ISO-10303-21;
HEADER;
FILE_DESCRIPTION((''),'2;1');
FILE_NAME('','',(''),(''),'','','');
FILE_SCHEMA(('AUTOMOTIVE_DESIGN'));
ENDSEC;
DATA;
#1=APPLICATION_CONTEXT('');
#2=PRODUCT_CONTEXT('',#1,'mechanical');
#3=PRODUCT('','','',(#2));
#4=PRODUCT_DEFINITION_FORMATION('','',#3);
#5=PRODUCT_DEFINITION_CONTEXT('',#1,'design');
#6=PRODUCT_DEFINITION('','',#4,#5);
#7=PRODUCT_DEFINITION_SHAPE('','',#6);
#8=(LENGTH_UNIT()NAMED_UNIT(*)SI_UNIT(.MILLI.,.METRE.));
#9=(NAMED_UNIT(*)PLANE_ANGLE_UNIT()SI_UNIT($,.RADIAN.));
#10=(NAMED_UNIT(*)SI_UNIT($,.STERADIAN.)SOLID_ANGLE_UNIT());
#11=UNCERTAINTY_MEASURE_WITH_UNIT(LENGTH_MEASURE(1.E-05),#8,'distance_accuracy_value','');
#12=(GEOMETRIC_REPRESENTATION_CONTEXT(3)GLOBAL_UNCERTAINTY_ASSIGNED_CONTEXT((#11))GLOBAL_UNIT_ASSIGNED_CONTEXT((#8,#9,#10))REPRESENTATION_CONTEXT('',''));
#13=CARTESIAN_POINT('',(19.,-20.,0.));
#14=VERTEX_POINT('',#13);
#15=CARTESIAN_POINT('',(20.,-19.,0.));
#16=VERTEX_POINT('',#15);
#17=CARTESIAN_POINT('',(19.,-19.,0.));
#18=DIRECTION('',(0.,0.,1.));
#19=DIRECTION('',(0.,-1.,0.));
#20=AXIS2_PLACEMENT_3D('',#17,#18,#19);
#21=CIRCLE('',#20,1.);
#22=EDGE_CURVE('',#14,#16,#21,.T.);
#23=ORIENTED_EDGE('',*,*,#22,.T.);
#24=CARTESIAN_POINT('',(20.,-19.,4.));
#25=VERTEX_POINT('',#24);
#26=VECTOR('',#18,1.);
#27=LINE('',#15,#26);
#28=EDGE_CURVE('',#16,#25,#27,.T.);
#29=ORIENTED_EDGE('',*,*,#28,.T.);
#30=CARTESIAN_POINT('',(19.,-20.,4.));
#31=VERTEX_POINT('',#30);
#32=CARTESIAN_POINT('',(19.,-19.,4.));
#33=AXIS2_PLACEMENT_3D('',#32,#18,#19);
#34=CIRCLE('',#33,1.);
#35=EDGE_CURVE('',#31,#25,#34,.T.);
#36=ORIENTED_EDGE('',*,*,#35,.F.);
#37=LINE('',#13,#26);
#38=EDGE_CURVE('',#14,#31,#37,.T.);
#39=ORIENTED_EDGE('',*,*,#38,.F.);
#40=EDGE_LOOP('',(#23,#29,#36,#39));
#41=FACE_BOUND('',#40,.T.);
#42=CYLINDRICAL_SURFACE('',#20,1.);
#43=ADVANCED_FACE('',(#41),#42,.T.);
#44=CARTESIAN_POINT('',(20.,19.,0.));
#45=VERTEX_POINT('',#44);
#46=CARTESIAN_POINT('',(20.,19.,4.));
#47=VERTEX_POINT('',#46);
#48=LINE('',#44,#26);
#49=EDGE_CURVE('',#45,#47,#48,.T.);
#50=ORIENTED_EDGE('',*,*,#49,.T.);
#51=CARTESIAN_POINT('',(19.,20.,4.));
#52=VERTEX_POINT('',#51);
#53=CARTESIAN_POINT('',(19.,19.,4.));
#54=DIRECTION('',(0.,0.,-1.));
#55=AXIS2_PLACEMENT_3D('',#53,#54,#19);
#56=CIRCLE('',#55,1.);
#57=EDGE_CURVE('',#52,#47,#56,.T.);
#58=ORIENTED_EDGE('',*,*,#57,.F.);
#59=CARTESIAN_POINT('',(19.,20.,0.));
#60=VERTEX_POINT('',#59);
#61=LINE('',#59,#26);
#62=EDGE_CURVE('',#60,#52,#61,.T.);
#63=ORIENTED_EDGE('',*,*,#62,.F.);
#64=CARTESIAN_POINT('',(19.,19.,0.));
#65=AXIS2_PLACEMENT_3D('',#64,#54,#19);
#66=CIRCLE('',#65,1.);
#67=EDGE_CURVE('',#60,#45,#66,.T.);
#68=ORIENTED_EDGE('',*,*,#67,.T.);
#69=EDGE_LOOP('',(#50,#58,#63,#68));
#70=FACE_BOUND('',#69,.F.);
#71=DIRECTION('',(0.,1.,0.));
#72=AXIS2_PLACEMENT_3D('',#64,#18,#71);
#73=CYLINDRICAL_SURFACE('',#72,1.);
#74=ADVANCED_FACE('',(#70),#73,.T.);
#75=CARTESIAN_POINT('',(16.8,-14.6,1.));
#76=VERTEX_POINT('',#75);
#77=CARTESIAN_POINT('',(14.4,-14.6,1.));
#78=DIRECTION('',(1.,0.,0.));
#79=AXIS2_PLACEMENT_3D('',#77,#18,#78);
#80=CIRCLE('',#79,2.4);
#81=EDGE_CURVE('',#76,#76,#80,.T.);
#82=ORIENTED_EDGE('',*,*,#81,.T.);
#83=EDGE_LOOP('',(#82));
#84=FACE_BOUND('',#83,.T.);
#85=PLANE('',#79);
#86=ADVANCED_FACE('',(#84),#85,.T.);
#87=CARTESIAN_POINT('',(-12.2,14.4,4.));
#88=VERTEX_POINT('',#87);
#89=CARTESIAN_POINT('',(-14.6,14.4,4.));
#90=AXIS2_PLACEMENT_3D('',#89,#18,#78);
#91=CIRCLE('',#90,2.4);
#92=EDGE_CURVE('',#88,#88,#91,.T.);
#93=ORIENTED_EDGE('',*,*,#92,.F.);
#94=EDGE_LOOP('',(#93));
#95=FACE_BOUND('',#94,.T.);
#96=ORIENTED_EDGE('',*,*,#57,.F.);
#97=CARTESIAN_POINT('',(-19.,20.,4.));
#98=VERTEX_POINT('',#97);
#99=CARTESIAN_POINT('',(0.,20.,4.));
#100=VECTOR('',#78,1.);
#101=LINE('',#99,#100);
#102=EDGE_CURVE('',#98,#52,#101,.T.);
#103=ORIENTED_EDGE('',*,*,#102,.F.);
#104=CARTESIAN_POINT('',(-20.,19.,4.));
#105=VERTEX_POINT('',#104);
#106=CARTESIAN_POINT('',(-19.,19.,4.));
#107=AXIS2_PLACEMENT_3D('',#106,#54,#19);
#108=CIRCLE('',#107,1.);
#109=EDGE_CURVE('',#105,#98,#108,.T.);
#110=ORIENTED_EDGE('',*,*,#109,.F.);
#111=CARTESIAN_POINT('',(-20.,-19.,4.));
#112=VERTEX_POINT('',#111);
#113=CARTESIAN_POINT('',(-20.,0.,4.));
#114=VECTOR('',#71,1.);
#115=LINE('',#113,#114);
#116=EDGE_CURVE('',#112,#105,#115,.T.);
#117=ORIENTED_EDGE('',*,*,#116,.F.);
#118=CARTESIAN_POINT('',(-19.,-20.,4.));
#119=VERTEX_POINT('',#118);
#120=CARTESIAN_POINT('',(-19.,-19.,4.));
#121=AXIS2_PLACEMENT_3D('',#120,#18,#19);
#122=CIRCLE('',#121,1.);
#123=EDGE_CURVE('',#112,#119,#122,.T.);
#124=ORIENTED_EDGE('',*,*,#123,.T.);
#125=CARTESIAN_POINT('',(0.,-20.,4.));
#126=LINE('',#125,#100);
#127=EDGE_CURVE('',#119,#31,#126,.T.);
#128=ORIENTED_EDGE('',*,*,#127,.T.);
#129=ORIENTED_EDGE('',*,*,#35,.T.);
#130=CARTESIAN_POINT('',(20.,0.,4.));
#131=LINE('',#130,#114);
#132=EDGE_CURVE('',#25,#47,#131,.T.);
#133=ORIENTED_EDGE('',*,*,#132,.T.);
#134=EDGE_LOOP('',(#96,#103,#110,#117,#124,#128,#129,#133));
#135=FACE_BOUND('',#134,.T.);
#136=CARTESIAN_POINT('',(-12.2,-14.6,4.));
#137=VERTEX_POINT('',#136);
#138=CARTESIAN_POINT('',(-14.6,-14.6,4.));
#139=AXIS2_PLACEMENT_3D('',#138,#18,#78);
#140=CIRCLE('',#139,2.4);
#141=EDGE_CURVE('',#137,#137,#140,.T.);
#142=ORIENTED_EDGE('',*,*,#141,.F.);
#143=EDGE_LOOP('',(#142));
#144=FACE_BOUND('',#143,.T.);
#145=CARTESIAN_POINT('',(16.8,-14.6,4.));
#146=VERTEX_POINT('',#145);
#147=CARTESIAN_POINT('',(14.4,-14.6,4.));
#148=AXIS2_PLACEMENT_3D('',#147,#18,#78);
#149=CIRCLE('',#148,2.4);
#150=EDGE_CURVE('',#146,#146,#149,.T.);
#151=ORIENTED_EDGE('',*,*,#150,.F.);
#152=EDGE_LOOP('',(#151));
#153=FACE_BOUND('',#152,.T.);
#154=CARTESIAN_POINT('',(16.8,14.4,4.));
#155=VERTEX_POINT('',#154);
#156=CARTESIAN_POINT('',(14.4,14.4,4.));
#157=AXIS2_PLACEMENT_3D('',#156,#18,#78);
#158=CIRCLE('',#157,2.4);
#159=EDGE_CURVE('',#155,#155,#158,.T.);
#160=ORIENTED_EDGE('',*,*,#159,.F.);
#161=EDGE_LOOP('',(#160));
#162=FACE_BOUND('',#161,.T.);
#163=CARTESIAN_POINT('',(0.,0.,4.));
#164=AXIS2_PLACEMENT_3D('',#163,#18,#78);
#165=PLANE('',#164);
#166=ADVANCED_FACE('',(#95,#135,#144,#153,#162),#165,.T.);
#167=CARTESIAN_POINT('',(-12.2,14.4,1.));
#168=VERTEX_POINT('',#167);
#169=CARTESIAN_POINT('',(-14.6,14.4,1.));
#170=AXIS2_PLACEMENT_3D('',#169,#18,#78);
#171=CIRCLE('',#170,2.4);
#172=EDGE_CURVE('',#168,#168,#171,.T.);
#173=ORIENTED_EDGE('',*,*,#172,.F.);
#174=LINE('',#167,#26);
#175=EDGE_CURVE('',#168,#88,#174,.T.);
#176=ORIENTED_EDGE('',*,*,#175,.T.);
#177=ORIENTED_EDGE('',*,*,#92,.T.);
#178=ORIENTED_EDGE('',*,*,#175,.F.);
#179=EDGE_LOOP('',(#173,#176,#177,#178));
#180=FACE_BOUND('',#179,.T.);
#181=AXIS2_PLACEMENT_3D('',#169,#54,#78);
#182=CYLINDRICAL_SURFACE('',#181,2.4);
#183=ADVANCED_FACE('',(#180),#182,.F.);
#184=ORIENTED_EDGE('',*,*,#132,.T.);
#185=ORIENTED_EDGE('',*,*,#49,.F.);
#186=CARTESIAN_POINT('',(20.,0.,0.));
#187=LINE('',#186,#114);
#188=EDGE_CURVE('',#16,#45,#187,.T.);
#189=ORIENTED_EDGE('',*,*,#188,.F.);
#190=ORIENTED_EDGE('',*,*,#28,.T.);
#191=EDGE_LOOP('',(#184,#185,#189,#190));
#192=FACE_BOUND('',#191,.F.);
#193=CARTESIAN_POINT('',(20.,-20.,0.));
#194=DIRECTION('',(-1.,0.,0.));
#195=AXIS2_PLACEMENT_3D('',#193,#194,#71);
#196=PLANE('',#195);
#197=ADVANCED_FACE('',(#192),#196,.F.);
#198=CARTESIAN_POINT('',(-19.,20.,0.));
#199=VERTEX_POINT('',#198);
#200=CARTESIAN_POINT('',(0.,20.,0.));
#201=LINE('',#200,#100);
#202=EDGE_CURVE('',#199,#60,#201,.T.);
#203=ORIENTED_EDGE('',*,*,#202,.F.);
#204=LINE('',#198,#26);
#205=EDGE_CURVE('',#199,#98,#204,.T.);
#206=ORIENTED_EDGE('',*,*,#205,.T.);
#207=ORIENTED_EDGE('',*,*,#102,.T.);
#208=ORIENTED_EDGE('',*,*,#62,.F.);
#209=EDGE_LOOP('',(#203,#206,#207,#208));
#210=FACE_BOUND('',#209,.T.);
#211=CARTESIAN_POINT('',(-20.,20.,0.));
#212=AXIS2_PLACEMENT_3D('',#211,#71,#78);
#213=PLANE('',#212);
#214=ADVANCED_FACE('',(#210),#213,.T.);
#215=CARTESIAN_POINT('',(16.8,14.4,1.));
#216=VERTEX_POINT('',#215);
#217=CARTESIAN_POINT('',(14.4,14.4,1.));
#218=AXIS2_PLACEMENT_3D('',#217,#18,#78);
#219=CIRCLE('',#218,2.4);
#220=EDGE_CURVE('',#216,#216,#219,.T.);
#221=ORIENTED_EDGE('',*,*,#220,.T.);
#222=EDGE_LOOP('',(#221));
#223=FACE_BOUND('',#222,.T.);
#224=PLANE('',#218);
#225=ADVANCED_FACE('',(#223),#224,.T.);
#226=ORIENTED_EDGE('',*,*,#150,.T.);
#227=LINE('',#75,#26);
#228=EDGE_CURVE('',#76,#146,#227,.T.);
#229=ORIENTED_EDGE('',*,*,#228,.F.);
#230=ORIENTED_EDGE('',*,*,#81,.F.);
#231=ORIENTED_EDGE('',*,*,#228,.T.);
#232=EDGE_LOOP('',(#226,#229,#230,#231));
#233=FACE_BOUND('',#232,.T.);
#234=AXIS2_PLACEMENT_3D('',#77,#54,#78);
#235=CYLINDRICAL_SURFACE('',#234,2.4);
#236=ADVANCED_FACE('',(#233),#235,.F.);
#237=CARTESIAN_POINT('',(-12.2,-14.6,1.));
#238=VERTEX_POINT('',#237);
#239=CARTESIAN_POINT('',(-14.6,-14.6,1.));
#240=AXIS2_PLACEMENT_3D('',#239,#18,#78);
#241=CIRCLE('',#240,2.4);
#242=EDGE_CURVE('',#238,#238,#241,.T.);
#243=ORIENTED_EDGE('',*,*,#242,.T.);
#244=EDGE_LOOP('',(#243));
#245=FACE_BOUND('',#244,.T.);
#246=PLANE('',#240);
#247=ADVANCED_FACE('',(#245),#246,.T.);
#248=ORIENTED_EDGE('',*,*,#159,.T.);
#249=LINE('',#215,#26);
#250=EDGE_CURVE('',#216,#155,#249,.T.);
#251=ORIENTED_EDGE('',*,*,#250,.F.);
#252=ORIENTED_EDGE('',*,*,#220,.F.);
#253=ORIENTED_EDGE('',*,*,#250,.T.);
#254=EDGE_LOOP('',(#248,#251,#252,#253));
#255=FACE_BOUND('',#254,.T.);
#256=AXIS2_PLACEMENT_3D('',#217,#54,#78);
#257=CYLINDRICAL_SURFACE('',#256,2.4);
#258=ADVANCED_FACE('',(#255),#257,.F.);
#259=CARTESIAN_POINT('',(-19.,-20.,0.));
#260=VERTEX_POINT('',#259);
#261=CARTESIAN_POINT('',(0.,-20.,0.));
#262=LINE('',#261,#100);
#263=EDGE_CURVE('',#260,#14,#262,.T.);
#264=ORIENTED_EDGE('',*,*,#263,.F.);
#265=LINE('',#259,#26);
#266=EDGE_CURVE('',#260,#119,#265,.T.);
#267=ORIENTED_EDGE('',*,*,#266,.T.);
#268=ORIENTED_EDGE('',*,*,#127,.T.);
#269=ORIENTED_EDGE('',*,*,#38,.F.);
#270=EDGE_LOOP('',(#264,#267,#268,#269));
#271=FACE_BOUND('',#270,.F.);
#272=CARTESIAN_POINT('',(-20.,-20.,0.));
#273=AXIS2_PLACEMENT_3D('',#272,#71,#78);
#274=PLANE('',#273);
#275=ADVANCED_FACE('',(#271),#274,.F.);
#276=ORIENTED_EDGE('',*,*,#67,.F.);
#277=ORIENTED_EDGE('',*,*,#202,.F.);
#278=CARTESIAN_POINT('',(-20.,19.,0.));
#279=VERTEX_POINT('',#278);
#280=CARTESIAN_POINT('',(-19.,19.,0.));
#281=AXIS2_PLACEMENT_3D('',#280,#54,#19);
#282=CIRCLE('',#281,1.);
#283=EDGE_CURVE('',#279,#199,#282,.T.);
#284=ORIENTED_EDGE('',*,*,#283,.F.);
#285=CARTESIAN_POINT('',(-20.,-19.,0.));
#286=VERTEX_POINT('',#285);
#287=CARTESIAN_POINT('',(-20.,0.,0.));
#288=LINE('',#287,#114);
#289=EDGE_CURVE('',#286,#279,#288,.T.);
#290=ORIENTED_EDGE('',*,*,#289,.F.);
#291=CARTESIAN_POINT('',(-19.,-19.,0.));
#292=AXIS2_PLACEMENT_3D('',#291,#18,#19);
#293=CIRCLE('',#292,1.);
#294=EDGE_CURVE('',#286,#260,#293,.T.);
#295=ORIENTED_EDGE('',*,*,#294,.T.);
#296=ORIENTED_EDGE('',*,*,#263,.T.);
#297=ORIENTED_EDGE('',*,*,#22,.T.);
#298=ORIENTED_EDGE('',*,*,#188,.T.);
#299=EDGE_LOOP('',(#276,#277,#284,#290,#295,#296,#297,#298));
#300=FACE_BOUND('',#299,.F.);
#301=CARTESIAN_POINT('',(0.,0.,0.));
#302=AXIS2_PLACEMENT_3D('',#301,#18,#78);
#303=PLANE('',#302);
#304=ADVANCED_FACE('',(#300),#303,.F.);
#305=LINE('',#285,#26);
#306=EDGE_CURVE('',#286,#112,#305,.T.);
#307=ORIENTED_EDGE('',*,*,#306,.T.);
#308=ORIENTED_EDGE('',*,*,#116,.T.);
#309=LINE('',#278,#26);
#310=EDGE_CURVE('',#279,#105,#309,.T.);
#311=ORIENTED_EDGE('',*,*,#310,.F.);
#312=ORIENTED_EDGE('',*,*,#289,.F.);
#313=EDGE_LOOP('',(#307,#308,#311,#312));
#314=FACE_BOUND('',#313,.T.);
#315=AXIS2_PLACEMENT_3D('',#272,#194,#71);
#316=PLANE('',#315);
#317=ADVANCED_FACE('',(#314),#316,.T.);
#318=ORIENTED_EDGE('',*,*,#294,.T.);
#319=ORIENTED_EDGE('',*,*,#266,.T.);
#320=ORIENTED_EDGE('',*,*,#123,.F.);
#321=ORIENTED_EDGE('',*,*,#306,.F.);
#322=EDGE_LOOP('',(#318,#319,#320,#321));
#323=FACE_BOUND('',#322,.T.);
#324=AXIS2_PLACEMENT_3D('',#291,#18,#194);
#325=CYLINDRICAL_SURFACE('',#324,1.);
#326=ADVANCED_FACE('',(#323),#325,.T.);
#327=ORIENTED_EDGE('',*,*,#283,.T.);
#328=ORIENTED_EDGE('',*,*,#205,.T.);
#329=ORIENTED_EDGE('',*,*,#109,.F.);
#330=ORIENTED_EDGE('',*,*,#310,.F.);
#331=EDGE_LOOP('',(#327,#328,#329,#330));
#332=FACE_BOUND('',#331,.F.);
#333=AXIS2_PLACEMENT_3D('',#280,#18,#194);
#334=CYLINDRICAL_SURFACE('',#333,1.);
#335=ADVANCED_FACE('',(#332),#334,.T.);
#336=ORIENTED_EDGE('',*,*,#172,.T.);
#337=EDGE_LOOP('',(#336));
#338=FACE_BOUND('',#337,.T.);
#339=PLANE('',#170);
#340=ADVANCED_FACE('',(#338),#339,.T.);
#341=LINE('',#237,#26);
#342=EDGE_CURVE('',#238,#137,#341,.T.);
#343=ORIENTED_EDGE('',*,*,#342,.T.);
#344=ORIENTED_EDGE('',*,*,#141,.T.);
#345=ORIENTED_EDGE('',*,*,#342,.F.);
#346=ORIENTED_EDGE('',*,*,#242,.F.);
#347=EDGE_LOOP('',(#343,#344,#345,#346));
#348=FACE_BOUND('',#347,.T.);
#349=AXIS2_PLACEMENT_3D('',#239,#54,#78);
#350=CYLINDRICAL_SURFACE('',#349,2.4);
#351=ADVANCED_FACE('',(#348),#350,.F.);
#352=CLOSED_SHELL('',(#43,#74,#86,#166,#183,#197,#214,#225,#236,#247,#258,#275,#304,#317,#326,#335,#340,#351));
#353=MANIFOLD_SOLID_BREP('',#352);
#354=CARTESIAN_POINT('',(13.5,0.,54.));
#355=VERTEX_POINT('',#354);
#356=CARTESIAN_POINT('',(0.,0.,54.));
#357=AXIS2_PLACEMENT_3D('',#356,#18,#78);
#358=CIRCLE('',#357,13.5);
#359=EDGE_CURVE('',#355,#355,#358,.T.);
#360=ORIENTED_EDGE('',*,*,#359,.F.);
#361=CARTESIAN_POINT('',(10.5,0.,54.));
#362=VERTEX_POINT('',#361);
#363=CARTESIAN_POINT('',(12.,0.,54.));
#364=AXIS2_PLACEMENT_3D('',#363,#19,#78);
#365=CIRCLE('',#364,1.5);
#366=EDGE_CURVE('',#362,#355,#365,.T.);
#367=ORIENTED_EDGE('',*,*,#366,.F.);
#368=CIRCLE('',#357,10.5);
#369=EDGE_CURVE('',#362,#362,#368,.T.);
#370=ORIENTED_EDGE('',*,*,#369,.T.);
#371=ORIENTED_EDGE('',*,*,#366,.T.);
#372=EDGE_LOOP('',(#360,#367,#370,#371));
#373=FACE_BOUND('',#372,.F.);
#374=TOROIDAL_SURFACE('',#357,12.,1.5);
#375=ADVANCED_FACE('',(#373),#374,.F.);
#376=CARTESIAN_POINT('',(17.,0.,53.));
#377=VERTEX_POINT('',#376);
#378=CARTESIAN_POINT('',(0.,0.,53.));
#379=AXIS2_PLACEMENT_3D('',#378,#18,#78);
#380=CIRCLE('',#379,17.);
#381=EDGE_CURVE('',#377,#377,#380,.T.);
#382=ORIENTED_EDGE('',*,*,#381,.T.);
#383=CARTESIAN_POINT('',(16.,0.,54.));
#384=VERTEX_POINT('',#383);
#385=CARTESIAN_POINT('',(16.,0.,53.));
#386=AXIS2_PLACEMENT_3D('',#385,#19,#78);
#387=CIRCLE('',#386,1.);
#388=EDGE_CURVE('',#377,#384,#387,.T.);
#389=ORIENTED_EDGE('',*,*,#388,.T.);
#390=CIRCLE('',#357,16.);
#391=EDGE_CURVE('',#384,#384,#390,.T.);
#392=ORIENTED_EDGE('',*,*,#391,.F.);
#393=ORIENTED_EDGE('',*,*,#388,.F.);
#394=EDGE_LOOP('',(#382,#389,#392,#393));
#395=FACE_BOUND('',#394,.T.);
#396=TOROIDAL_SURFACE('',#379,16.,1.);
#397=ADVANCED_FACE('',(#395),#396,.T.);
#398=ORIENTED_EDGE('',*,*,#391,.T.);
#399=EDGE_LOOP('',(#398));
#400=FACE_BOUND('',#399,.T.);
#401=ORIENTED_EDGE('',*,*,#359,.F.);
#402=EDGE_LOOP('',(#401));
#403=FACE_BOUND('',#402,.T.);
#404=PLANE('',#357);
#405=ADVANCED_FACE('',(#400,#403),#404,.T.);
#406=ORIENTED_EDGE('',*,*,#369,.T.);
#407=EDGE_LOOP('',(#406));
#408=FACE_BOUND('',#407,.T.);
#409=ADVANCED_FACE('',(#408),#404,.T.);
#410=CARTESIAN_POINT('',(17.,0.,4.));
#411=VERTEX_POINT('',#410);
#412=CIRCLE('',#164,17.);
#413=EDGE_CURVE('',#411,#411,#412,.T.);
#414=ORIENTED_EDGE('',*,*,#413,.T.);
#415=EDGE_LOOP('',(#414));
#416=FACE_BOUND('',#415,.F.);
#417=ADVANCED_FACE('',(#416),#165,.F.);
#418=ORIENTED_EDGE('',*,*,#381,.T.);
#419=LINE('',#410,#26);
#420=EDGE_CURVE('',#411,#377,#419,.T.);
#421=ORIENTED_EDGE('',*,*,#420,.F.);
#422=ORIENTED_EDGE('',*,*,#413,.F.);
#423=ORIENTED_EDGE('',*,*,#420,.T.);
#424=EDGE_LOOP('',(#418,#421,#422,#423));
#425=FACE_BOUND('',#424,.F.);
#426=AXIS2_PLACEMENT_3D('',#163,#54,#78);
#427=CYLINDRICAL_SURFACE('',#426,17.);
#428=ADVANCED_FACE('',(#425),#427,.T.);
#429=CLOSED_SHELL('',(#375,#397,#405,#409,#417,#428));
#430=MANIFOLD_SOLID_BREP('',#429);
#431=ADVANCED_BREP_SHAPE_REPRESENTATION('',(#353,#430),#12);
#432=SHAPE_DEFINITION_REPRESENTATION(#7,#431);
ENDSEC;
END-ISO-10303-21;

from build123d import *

# Parameters (mm, degrees)
TORUS_R           = 1.5
CYLINDER004_R     = 17
CYLINDER004_DEPTH = 50
FILLET_R          = 1
CYLINDER001_R     = 2.4
CYLINDER001_DEPTH = 3
CYLINDER002_R     = 2.4
CYLINDER002_DEPTH = 3
CYLINDER003_R     = 2.4
CYLINDER003_DEPTH = 3
CYLINDER_R        = 2.4
CYLINDER_DEPTH    = 3
BOX_W             = 40
BOX_H             = 40
BOX_DEPTH         = 4
FILLET001_R       = 1


with BuildPart() as torus:
    # Torus → Torus (revolve)
    with BuildSketch(Plane(origin=(0, 0, 54), x_dir=(1, 0, 0), z_dir=(0, -1, 0))):
        with Locations((12, 0)):
            Circle(TORUS_R)
    revolve(axis=Axis((0, 0, 54), (0, 0, 1)))


with BuildPart() as fillet_body:
    # Cylinder004 → Cylinder004 (new body)
    with BuildSketch(Plane.XY.offset(4)):
        Circle(CYLINDER004_R)
    extrude(amount=CYLINDER004_DEPTH)

    # Cut001: cut Torus
    add(torus.part, mode=Mode.SUBTRACT)

    # Fillet
    fillet_edges = [fillet_body.edges().sort_by_distance(p)[0] for p in [
        (-17, 0, 54),
    ]]
    fillet(fillet_edges, radius=FILLET_R)


with BuildPart() as cilindre001:
    # Cylinder001 → Cylinder001 (new body)
    with BuildSketch(Plane(origin=(34.4, 5.4, 1), x_dir=(1, 0, 0), z_dir=(0, 0, 1))):
        Circle(CYLINDER001_R)
    extrude(amount=CYLINDER001_DEPTH)


with BuildPart() as cilindre002:
    # Cylinder002 → Cylinder002 (new body)
    with BuildSketch(Plane(origin=(34.4, 34.4, 1), x_dir=(1, 0, 0), z_dir=(0, 0, 1))):
        Circle(CYLINDER002_R)
    extrude(amount=CYLINDER002_DEPTH)


with BuildPart() as cilindre003:
    # Cylinder003 → Cylinder003 (new body)
    with BuildSketch(Plane(origin=(5.4, 34.4, 1), x_dir=(1, 0, 0), z_dir=(0, 0, 1))):
        Circle(CYLINDER003_R)
    extrude(amount=CYLINDER003_DEPTH)


with BuildPart() as fusion:
    # Cylinder → Cylinder (new body)
    with BuildSketch(Plane(origin=(5.4, 5.4, 1), x_dir=(1, 0, 0), z_dir=(0, 0, 1))):
        Circle(CYLINDER_R)
    extrude(amount=CYLINDER_DEPTH)

    # Fusion: union Cilindre001, Cilindre002, Cilindre003
    add(cilindre001.part)
    add(cilindre002.part)
    add(cilindre003.part)


with BuildPart() as fillet001:
    # Box → Box (new body)
    with BuildSketch(Plane.XY):
        with Locations((20, 20)):
            Rectangle(BOX_W, BOX_H)
    extrude(amount=BOX_DEPTH)

    # Cut: cut Fusion
    add(fusion.part, mode=Mode.SUBTRACT)


with BuildPart() as fillet001_1:
    # Cut placement: moved
    add(fillet001.part.moved(Location((-20, -20, 0))))

    # Fillet001
    fillet001_edges = [fillet001_1.edges().sort_by_distance(p)[0] for p in [
        (-20, -20, 2),
        (-20, 20, 2),
        (20, -20, 2),
        (20, 20, 2),
    ]]
    fillet(fillet001_edges, radius=FILLET001_R)


solid = Compound([fillet_body.part, fillet001_1.part])
